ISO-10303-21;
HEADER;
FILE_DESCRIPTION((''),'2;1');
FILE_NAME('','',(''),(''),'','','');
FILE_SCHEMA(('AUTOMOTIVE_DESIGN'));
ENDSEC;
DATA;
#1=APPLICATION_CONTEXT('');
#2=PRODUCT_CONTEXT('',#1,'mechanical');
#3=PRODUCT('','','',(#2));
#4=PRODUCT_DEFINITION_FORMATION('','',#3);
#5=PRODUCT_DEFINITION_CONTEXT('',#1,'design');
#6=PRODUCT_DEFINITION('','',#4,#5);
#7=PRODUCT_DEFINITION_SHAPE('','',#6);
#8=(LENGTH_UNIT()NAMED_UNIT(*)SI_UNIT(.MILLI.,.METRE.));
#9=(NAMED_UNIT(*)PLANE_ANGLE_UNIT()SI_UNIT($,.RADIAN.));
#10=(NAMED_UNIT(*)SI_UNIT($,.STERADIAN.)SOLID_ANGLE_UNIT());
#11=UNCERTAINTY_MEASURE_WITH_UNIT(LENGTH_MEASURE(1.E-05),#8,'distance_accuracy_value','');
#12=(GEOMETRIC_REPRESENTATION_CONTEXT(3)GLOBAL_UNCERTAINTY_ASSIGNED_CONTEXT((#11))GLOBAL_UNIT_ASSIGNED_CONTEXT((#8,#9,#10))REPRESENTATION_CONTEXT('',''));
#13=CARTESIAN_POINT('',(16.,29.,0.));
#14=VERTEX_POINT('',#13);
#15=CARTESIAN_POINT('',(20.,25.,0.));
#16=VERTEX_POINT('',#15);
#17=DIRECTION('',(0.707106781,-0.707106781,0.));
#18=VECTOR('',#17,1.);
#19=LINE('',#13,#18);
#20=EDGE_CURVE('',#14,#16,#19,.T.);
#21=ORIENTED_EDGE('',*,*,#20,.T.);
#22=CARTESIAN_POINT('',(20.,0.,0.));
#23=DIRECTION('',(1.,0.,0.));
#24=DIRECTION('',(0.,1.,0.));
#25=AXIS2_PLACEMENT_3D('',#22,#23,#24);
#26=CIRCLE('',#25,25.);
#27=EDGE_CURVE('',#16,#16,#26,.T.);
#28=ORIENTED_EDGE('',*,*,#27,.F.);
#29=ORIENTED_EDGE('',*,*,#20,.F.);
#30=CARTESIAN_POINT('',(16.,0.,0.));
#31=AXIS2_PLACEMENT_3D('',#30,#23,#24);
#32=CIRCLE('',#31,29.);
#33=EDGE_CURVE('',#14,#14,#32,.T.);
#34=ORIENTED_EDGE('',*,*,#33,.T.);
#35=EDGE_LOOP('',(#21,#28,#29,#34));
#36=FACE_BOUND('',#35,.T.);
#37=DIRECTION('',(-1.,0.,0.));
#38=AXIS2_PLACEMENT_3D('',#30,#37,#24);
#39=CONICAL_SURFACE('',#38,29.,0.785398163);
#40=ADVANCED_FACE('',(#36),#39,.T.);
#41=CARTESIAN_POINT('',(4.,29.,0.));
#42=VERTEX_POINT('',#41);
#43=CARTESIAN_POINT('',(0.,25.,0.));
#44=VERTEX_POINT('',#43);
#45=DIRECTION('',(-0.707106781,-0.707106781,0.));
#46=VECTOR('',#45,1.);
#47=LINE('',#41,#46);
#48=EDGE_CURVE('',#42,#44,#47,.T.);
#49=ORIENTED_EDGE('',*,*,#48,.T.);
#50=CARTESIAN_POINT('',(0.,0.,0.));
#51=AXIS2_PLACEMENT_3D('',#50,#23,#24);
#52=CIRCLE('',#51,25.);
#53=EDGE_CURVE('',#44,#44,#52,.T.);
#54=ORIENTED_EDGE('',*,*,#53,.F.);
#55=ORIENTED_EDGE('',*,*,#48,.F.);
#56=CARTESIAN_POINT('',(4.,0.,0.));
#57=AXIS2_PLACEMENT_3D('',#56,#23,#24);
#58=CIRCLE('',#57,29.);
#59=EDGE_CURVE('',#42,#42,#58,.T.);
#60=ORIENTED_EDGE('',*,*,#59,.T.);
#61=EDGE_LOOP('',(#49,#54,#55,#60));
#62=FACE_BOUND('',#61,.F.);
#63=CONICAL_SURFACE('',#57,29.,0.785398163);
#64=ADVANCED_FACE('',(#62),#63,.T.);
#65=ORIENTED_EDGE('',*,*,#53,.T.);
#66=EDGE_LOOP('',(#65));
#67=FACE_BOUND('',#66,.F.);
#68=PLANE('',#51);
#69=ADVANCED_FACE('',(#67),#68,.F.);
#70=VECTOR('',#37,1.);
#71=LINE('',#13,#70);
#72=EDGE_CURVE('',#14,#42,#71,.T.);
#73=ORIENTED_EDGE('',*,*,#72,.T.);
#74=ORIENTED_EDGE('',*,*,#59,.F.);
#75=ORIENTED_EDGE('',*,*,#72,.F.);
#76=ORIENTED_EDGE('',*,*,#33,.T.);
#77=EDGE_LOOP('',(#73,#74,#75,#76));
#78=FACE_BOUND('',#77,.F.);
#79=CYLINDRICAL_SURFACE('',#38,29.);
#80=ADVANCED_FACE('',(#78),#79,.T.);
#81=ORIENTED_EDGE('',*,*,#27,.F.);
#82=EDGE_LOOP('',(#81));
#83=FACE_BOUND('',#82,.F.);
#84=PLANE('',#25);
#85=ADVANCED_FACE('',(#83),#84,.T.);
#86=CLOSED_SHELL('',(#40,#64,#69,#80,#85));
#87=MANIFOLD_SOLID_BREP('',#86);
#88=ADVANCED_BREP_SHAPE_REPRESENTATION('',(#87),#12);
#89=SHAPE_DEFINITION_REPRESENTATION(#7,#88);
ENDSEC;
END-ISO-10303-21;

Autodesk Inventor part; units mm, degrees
ref_plane "YZ Plane" through (0, 0, 0) normal (1, 0, 0) x (0, 1, 0)
ref_plane "XZ Plane" through (0, 0, 0) normal (0, 1, 0) x (-1, 0, 0)
ref_plane "XY Plane" through (0, 0, 0) normal (0, 0, 1) x (1, 0, 0)
sketch "Эскиз1" plane through (0, 0, 0) normal (0, 0, 1) x (1, 0, 0)
  line L0 (0, 0) -> (20, 0)
  line L1 (20, 0) -> (20, 25)
  line L2 (16, 29) -> (4, 29)
  line L3 (0, 25) -> (0, 0)
  line L4 (4, 29) -> (0, 25)
  line L5 (16, 29) -> (20, 25)
  point P0 (20, 29)
  point P1 (0, 29)
  dimension "d13" = 20
  dimension "d14" = 29
  dimension "d15" = 4
  dimension "d16" = 4
  dimension "d17" = 4
  dimension "d18" = 4
revolve "Вращение2" add sketch "Эскиз1" angle 360 about axis through (0, 0, 0) along (1, 0, 0)
equation "\"d16\" = d15"
equation "\"d17\" = d15"
equation "\"d18\" = d17"
properties part number "711111"
